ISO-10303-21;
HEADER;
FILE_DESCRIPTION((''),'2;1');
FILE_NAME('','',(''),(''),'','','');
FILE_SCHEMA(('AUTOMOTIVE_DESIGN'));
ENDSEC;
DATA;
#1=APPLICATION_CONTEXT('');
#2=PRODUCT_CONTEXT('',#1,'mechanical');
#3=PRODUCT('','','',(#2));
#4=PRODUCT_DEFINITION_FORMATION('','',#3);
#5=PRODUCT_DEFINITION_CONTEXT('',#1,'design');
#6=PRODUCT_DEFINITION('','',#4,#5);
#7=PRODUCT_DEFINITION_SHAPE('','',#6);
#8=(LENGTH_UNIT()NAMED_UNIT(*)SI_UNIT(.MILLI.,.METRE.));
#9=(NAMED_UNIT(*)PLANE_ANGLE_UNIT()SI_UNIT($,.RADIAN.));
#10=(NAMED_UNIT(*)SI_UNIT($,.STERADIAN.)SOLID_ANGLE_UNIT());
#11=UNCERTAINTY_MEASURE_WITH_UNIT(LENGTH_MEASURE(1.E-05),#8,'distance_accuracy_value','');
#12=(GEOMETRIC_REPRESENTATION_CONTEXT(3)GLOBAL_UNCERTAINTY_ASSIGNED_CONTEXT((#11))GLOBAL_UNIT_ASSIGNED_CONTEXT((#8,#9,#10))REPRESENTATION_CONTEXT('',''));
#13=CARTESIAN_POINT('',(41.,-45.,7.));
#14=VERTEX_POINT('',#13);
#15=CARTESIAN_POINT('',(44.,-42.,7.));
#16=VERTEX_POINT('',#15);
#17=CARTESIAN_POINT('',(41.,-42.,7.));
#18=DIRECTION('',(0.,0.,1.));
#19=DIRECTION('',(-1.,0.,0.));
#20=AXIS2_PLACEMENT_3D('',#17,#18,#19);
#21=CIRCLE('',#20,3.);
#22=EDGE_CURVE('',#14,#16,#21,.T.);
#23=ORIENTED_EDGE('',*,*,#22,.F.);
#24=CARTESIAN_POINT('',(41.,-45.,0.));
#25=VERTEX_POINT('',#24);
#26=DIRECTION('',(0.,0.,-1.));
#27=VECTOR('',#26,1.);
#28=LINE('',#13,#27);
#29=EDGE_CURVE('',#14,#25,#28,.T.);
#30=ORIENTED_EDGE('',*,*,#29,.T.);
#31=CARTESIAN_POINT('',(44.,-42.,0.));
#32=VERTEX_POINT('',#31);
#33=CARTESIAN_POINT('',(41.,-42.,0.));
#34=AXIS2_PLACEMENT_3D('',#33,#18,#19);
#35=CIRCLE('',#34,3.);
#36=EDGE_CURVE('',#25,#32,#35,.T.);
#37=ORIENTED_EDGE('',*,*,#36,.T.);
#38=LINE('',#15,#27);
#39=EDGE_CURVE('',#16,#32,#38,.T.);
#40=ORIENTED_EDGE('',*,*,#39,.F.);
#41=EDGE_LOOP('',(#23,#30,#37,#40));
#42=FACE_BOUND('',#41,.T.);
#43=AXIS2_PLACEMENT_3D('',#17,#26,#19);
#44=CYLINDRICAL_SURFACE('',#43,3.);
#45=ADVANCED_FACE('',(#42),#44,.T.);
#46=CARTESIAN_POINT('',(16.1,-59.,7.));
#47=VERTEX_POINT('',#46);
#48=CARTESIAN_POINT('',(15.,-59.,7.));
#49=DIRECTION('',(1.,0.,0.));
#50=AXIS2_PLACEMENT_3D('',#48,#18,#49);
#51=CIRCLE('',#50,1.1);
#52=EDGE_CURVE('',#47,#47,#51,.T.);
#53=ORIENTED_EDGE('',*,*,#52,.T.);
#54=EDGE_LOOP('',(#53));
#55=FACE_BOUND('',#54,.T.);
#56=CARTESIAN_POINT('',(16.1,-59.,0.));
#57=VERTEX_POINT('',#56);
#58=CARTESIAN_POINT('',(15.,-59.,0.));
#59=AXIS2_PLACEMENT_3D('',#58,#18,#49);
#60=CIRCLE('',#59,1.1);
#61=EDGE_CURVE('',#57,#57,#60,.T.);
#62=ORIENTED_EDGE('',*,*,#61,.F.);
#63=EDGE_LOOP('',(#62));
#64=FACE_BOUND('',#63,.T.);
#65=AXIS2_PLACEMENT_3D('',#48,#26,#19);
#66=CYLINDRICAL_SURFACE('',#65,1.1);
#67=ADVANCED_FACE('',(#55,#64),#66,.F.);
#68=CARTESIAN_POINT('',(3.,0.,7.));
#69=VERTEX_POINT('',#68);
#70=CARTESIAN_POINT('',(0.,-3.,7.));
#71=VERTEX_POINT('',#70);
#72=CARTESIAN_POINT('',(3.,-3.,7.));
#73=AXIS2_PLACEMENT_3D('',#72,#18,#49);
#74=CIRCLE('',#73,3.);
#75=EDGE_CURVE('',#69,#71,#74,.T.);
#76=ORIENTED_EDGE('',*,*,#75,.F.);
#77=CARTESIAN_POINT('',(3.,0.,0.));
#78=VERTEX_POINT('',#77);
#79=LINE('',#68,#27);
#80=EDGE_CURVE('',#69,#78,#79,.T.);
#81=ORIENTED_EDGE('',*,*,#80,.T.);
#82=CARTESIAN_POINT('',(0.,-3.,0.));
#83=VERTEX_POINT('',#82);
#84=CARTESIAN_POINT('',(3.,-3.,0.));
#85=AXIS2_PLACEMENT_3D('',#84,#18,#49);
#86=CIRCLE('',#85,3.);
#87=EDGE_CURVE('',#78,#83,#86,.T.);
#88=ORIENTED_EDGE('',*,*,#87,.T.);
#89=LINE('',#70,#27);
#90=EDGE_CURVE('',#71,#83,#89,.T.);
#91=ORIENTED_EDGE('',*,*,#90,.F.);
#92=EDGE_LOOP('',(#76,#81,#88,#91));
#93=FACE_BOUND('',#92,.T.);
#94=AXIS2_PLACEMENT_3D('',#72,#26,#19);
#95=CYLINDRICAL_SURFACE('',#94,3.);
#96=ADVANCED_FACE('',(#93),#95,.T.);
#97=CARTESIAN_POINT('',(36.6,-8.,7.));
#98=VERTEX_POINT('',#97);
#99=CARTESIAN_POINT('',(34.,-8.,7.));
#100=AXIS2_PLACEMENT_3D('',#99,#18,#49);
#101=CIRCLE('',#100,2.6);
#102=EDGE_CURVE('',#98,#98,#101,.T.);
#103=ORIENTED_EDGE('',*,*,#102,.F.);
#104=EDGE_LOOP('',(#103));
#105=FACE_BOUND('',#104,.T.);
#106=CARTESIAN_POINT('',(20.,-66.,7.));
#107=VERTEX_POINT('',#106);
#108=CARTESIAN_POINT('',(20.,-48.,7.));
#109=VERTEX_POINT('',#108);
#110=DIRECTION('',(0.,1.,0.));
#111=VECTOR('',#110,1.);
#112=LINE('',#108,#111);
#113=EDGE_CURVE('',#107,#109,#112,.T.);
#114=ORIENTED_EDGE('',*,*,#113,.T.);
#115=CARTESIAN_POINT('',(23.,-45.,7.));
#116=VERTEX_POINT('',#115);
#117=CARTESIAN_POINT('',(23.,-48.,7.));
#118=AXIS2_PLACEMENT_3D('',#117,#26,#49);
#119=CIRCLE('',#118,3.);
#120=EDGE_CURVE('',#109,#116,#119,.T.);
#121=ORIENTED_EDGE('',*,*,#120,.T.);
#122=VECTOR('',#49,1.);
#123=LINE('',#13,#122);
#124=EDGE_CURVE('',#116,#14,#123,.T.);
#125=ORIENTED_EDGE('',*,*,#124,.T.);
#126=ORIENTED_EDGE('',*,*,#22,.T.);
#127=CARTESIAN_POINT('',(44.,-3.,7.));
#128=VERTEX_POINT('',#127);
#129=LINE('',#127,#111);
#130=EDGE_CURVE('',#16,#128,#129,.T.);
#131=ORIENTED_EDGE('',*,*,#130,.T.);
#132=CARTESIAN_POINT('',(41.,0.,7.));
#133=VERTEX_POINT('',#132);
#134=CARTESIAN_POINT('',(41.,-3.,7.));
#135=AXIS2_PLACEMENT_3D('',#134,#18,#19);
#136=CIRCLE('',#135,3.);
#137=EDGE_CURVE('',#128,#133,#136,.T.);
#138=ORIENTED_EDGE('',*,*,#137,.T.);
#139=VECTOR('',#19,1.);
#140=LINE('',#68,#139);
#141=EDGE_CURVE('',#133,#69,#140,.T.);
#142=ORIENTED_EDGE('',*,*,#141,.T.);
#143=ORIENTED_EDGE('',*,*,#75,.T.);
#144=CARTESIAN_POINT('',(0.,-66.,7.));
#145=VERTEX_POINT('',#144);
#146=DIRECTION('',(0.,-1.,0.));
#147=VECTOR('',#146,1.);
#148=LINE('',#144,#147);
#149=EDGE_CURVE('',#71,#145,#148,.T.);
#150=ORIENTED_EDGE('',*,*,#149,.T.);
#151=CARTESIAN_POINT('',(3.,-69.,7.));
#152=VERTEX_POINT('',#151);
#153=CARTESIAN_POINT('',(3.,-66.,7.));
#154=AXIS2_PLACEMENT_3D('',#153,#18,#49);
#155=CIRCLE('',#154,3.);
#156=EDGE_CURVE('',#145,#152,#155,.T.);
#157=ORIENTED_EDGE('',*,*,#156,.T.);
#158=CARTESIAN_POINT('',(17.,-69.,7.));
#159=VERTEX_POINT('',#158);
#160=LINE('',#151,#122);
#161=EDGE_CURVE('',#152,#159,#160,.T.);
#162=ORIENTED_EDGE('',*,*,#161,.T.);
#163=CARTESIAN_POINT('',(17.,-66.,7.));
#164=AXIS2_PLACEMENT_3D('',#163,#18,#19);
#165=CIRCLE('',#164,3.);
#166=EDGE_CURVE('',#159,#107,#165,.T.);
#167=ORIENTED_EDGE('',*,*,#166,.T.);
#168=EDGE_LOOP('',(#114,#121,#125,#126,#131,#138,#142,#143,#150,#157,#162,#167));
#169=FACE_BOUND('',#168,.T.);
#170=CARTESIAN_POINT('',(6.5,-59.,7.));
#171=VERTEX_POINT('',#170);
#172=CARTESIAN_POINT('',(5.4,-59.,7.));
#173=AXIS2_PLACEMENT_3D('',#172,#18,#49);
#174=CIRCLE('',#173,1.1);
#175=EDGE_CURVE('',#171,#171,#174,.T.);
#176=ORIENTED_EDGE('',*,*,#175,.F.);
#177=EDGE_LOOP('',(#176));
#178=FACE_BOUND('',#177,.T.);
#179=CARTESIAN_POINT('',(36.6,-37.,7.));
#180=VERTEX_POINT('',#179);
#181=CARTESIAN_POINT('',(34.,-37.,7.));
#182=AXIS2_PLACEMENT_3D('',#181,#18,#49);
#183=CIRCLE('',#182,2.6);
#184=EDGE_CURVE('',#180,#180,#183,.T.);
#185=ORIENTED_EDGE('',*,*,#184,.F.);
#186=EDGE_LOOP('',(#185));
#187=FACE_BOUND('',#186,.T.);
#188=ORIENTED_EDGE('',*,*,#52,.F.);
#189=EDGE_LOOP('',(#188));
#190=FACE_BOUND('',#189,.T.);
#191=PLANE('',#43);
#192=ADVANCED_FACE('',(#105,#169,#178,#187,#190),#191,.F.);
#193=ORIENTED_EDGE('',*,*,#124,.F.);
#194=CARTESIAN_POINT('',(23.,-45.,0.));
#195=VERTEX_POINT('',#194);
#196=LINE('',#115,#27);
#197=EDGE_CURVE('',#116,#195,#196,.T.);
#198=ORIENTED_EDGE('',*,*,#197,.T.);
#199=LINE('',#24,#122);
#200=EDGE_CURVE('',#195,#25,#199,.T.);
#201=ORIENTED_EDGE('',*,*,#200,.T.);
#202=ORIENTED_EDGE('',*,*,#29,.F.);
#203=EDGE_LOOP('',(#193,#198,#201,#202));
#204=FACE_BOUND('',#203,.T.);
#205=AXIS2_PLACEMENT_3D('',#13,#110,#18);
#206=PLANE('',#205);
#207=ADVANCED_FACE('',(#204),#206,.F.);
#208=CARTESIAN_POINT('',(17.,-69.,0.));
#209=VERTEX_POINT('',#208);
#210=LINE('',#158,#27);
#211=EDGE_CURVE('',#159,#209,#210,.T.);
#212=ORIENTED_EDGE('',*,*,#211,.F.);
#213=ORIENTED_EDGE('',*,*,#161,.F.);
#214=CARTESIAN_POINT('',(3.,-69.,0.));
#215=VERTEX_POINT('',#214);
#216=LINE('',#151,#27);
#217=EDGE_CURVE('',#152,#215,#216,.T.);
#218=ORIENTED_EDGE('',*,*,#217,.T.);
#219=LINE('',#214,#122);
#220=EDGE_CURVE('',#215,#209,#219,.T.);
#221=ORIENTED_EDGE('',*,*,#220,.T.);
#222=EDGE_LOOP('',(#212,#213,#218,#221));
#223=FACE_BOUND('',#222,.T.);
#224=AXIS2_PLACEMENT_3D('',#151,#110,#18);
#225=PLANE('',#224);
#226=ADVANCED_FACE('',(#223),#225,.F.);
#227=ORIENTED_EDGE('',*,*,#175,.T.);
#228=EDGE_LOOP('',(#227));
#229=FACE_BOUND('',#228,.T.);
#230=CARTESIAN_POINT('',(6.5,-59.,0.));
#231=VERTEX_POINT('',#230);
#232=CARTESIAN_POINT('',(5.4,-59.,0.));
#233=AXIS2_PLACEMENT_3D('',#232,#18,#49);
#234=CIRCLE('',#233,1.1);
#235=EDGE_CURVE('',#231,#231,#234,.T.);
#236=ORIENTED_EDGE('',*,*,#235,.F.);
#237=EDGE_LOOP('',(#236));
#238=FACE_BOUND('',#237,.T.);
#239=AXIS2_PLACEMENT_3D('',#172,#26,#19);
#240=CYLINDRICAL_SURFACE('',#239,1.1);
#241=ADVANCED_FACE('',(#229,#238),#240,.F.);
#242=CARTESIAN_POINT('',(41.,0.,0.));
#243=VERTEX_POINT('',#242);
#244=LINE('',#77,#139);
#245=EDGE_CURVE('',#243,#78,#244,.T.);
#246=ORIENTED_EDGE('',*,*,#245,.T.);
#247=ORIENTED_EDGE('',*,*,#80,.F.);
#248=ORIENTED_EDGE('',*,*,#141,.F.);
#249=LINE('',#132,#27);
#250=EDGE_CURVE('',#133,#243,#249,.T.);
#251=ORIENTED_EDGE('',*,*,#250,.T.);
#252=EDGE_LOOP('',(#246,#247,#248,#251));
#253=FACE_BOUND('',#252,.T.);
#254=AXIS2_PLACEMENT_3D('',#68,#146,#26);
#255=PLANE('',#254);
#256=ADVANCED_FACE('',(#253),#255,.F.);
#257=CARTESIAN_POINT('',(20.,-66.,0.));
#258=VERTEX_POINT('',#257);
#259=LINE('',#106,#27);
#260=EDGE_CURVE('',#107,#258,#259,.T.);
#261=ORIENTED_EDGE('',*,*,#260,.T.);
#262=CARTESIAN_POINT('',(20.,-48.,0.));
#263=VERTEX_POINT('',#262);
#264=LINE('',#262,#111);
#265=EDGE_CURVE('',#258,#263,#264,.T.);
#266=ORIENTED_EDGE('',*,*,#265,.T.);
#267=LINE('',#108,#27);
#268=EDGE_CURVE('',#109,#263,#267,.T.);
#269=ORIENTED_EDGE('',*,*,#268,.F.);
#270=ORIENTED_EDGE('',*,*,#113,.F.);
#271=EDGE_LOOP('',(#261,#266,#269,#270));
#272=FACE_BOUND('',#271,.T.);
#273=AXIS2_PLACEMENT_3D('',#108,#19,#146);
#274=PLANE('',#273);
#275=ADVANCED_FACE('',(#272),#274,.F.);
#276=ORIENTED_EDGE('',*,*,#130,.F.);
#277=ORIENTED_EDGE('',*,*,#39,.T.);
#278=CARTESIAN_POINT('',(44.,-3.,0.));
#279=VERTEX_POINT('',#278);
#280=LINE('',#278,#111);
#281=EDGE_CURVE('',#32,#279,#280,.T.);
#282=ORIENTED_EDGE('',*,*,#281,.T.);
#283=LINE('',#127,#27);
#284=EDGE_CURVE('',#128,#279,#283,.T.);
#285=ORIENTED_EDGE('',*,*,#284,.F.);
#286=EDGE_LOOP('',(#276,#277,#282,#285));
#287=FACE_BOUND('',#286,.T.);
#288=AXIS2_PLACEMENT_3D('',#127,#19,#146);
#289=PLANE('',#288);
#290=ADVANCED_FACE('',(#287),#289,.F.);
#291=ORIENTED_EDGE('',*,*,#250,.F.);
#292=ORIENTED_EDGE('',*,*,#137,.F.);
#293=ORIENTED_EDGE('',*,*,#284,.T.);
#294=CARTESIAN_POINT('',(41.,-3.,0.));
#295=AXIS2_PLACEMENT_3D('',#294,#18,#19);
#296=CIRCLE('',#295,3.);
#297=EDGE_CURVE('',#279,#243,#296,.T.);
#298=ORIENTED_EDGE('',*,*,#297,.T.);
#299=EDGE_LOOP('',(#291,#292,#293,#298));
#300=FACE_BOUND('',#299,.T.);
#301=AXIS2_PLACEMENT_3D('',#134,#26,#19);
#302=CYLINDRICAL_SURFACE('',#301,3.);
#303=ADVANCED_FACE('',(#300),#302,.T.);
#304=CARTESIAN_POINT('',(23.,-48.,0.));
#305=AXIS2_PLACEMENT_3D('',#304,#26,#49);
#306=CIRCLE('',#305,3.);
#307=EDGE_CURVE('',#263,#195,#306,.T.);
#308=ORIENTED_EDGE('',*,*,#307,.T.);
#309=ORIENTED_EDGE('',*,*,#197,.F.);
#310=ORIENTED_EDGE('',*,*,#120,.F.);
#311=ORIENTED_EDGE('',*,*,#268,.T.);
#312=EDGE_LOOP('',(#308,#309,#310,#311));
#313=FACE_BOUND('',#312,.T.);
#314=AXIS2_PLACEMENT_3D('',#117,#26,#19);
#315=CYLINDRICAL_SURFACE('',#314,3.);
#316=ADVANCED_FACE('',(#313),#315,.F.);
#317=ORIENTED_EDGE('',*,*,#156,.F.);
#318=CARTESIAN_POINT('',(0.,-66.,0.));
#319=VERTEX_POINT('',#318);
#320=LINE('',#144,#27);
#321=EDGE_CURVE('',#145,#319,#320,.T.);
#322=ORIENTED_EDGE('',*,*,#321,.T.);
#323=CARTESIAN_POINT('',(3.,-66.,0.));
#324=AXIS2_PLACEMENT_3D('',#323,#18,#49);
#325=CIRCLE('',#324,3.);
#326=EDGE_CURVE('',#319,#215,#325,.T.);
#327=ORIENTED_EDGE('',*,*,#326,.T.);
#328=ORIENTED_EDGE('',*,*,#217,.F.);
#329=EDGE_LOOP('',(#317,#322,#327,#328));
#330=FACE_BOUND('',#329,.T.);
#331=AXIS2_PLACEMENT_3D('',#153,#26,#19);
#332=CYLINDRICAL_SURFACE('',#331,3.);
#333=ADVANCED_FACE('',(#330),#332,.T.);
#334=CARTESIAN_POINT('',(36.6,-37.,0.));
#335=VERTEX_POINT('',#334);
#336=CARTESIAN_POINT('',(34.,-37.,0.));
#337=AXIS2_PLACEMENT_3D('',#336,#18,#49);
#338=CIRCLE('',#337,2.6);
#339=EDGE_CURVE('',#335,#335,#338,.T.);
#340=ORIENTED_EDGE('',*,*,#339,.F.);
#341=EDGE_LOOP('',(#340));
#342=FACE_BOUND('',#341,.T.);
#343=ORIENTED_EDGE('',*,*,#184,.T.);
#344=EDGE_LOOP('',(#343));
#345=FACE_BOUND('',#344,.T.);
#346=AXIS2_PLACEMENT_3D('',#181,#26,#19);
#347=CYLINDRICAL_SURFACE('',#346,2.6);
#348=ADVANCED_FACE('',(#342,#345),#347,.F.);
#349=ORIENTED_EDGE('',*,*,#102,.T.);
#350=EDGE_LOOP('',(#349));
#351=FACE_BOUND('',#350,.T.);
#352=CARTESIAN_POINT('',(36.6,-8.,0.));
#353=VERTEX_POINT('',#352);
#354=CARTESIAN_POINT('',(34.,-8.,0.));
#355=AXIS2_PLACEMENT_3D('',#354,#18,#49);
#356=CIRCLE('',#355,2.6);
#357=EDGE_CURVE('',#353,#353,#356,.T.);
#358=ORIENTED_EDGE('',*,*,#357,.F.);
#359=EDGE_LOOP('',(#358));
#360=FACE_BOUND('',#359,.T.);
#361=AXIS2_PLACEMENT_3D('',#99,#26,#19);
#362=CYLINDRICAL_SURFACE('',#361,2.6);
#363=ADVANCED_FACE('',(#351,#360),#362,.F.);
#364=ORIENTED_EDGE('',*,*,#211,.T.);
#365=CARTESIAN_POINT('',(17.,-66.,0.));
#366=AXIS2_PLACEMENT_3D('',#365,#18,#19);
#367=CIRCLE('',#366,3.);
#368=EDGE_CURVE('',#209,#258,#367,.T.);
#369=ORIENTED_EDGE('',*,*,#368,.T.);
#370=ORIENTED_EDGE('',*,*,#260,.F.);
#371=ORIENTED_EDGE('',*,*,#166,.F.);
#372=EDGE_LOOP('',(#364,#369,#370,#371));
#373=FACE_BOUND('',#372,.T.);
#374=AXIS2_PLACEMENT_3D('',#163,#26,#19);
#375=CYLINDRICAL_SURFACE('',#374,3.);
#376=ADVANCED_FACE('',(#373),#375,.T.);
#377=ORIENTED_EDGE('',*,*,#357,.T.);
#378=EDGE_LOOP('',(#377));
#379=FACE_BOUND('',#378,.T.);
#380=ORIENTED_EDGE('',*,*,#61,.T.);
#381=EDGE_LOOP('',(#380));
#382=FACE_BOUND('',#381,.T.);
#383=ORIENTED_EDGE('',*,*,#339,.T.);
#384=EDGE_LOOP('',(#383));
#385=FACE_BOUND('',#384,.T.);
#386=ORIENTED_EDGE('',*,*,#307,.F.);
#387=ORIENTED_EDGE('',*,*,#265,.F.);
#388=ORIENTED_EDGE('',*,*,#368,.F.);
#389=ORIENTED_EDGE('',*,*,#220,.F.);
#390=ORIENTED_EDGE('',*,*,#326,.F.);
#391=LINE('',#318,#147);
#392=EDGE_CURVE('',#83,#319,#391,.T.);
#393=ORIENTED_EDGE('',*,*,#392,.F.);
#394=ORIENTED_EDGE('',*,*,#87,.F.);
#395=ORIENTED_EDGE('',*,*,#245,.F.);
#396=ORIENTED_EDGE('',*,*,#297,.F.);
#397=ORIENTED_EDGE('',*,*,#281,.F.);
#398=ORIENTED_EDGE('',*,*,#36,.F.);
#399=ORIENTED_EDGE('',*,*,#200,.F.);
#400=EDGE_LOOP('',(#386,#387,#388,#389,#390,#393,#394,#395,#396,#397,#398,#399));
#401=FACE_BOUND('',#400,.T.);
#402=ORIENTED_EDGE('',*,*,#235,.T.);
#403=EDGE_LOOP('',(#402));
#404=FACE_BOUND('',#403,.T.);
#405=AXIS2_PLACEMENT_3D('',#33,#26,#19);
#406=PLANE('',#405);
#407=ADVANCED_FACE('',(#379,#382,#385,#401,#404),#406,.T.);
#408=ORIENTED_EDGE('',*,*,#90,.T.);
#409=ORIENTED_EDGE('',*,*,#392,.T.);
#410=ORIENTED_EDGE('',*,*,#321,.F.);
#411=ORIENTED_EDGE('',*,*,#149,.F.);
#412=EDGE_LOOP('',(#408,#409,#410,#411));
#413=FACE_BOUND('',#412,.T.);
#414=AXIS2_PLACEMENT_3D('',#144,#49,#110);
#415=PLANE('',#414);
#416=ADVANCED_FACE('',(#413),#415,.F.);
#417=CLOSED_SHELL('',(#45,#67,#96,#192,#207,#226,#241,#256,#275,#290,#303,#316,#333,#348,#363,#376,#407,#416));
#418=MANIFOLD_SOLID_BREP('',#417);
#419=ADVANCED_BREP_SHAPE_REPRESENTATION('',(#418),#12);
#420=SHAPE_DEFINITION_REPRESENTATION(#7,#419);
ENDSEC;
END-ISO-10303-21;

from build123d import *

# Parameters (mm, degrees)
MODEL_R             = 2.6
MODEL_R_2           = 1.1
BOSS_EXTRUDE1_DEPTH = 7


with BuildPart() as part:
    # Model → Boss-Extrude1 (new body)
    with BuildSketch(Plane.XY):
        with BuildLine():
            Line((3, 0), (41, 0))
            ThreePointArc((41, 0), (43.121320344, -0.878679656), (44, -3))
            Line((44, -3), (44, -42))
            ThreePointArc((44, -42), (43.121320344, -44.121320344), (41, -45))
            Line((41, -45), (23, -45))
            ThreePointArc((23, -45), (20.878679656, -45.878679656), (20, -48))
            Line((20, -48), (20, -66))
            ThreePointArc((20, -66), (19.121320344, -68.121320344), (17, -69))
            Line((17, -69), (3, -69))
            ThreePointArc((3, -69), (0.878679656, -68.121320344), (0, -66))
            Line((0, -66), (0, -3))
            ThreePointArc((0, -3), (0.878679656, -0.878679656), (3, 0))
        make_face()
        with Locations((34, -8)):
            Circle(MODEL_R, mode=Mode.SUBTRACT)
        with Locations((34, -37)):
            Circle(MODEL_R, mode=Mode.SUBTRACT)
        with Locations((5.4, -59)):
            Circle(MODEL_R_2, mode=Mode.SUBTRACT)
        with Locations((15, -59)):
            Circle(MODEL_R_2, mode=Mode.SUBTRACT)
    extrude(amount=BOSS_EXTRUDE1_DEPTH)


solid = part.part
